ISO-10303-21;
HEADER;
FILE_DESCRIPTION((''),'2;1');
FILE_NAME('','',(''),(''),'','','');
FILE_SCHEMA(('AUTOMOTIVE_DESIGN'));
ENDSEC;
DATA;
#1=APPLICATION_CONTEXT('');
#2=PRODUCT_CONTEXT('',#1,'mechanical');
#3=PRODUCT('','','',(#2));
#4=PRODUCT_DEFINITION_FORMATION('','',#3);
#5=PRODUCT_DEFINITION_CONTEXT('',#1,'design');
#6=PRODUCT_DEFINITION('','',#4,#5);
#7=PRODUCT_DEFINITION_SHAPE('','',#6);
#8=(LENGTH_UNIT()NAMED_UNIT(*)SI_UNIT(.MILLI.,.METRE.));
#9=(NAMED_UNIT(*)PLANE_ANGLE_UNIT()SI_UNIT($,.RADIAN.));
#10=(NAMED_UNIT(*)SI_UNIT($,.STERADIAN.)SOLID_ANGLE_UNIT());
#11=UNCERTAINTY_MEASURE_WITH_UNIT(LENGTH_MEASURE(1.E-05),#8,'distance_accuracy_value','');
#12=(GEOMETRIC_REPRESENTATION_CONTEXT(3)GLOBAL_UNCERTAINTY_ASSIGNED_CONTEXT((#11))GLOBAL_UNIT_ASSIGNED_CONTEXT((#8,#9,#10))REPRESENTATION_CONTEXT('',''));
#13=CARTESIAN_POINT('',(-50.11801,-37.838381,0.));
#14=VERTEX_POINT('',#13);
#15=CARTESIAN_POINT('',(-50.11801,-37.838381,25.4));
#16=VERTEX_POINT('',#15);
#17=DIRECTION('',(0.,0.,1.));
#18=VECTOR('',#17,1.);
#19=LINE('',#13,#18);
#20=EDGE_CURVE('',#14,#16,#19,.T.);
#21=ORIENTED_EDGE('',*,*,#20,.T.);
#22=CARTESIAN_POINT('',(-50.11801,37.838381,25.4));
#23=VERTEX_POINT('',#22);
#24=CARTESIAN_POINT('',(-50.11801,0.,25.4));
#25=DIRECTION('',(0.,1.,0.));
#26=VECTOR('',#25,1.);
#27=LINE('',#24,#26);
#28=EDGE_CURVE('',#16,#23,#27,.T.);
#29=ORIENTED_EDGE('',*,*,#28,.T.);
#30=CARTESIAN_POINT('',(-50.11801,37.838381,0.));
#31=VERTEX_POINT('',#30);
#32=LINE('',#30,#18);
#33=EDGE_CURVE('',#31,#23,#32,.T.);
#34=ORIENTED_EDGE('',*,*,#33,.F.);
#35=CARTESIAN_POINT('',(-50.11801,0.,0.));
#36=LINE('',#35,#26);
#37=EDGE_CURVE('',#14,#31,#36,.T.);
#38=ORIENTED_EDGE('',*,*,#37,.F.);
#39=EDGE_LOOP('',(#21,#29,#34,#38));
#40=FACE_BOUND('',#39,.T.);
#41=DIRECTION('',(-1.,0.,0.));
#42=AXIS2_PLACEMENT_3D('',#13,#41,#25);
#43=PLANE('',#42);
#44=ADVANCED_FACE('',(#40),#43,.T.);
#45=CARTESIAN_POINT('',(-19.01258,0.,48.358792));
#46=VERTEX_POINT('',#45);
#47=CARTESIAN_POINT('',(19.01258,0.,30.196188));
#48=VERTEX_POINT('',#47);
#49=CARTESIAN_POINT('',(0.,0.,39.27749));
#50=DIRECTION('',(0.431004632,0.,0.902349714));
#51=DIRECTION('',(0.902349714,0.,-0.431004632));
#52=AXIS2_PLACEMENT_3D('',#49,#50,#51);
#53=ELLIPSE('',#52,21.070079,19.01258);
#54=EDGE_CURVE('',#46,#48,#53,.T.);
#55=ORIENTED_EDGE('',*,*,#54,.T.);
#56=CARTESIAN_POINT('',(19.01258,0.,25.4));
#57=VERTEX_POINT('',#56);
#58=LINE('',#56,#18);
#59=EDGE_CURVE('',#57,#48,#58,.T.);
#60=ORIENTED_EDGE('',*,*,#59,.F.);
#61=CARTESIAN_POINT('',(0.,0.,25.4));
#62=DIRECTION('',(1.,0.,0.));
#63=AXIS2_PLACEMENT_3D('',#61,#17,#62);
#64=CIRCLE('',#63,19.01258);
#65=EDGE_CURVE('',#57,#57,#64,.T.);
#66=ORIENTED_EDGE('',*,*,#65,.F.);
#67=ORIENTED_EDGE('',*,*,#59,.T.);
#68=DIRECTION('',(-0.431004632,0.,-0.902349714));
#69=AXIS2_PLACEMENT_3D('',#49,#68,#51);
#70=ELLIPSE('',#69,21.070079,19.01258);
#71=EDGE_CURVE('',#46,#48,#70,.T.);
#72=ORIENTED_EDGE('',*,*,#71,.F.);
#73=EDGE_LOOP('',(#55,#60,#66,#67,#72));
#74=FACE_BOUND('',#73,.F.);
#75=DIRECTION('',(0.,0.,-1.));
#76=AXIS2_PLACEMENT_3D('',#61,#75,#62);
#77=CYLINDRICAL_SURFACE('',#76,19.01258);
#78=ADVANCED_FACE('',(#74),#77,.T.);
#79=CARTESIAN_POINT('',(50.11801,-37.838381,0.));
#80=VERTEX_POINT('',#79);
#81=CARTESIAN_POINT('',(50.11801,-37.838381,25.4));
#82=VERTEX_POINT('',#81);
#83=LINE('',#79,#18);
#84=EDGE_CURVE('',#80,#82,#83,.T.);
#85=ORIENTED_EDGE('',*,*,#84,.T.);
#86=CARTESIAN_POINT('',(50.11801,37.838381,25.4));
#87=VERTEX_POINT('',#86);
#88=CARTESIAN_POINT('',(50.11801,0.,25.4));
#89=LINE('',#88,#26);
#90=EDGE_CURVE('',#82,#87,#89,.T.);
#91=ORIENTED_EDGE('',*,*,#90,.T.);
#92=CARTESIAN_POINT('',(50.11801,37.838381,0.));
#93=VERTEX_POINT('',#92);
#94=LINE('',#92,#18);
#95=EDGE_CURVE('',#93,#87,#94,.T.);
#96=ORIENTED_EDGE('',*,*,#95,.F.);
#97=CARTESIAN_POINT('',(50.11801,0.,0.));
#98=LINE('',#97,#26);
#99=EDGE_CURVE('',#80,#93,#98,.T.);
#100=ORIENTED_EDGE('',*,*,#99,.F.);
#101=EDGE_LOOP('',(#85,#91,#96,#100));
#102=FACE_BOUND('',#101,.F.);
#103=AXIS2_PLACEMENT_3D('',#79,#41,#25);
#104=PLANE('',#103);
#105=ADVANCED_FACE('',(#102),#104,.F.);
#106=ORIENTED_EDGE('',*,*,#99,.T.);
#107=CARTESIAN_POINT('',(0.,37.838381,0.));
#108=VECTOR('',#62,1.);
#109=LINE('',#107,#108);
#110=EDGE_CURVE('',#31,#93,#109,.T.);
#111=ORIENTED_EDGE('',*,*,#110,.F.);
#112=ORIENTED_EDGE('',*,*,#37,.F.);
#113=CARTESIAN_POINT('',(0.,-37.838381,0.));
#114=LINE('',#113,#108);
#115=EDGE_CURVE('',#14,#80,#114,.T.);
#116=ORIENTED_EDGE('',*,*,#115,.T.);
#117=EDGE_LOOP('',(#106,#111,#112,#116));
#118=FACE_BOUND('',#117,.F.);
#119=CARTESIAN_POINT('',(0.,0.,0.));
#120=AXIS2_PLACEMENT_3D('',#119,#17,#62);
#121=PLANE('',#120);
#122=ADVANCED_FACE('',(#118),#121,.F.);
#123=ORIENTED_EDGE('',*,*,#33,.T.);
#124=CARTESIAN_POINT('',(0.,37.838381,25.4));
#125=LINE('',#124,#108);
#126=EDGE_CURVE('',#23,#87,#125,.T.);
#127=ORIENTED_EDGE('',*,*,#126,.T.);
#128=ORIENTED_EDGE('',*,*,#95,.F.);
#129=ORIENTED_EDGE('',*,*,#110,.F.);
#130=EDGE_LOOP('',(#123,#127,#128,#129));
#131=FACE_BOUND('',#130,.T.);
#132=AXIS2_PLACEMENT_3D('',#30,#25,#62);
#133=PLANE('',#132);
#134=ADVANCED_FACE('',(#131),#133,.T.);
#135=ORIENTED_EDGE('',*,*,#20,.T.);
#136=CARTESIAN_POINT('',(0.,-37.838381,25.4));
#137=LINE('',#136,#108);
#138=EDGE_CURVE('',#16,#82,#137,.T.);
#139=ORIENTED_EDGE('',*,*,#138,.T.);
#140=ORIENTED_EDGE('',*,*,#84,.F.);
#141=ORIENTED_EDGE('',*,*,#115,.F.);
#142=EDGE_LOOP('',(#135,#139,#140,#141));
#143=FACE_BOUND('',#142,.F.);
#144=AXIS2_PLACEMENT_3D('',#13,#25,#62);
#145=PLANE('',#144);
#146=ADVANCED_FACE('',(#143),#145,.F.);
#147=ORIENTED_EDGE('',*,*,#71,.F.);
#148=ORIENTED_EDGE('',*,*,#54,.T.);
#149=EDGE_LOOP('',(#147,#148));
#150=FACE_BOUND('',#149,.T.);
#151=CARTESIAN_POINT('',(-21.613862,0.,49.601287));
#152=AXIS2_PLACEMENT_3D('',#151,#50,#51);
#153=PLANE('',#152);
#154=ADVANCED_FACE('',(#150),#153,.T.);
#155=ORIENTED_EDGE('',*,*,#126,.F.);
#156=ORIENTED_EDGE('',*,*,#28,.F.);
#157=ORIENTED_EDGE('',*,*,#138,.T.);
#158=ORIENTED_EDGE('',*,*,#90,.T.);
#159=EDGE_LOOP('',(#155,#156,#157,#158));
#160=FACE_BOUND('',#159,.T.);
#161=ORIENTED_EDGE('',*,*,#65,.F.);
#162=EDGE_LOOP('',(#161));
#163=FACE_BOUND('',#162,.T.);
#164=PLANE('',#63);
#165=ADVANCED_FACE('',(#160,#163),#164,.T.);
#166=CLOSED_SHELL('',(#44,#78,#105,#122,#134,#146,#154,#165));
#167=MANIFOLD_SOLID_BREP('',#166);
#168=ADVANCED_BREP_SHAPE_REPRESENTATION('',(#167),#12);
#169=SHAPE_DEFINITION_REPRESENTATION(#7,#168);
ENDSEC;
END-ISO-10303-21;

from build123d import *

# Parameters (mm, degrees)
F0_W          = 100.2360209823
F0_H          = 75.6767615676
F1_DEPTH      = 25.4
F2_R          = 19.0125799506
F3_DEPTH      = 25.4
F5_DEPTH      = 37.8393807838
F5_DEPTH_BACK = 37.8393807838


with BuildPart() as f1:
    # F0 (on Top) → F1 (new body)
    with BuildSketch(Plane.XY):
        Rectangle(F0_W, F0_H)
    extrude(amount=F1_DEPTH)

    # F2 (on face) → F3 (join)
    with BuildSketch(Plane.XY.offset(25.4)):
        Circle(F2_R)
    extrude(amount=F3_DEPTH)

    # F4 (on Front) → F5 (cut, two sides)
    with BuildSketch(Plane.XZ) as f5_sk:
        Polygon((-21.6138623655, 59.192981571), (-21.6138623655, 49.6012866497), (21.2963428348, 29.1053559631), (21.2963428348, 59.192981571), align=None)
    extrude(amount=-F5_DEPTH, mode=Mode.SUBTRACT)
    extrude(f5_sk.sketch, amount=F5_DEPTH_BACK, mode=Mode.SUBTRACT)


solid = f1.part
